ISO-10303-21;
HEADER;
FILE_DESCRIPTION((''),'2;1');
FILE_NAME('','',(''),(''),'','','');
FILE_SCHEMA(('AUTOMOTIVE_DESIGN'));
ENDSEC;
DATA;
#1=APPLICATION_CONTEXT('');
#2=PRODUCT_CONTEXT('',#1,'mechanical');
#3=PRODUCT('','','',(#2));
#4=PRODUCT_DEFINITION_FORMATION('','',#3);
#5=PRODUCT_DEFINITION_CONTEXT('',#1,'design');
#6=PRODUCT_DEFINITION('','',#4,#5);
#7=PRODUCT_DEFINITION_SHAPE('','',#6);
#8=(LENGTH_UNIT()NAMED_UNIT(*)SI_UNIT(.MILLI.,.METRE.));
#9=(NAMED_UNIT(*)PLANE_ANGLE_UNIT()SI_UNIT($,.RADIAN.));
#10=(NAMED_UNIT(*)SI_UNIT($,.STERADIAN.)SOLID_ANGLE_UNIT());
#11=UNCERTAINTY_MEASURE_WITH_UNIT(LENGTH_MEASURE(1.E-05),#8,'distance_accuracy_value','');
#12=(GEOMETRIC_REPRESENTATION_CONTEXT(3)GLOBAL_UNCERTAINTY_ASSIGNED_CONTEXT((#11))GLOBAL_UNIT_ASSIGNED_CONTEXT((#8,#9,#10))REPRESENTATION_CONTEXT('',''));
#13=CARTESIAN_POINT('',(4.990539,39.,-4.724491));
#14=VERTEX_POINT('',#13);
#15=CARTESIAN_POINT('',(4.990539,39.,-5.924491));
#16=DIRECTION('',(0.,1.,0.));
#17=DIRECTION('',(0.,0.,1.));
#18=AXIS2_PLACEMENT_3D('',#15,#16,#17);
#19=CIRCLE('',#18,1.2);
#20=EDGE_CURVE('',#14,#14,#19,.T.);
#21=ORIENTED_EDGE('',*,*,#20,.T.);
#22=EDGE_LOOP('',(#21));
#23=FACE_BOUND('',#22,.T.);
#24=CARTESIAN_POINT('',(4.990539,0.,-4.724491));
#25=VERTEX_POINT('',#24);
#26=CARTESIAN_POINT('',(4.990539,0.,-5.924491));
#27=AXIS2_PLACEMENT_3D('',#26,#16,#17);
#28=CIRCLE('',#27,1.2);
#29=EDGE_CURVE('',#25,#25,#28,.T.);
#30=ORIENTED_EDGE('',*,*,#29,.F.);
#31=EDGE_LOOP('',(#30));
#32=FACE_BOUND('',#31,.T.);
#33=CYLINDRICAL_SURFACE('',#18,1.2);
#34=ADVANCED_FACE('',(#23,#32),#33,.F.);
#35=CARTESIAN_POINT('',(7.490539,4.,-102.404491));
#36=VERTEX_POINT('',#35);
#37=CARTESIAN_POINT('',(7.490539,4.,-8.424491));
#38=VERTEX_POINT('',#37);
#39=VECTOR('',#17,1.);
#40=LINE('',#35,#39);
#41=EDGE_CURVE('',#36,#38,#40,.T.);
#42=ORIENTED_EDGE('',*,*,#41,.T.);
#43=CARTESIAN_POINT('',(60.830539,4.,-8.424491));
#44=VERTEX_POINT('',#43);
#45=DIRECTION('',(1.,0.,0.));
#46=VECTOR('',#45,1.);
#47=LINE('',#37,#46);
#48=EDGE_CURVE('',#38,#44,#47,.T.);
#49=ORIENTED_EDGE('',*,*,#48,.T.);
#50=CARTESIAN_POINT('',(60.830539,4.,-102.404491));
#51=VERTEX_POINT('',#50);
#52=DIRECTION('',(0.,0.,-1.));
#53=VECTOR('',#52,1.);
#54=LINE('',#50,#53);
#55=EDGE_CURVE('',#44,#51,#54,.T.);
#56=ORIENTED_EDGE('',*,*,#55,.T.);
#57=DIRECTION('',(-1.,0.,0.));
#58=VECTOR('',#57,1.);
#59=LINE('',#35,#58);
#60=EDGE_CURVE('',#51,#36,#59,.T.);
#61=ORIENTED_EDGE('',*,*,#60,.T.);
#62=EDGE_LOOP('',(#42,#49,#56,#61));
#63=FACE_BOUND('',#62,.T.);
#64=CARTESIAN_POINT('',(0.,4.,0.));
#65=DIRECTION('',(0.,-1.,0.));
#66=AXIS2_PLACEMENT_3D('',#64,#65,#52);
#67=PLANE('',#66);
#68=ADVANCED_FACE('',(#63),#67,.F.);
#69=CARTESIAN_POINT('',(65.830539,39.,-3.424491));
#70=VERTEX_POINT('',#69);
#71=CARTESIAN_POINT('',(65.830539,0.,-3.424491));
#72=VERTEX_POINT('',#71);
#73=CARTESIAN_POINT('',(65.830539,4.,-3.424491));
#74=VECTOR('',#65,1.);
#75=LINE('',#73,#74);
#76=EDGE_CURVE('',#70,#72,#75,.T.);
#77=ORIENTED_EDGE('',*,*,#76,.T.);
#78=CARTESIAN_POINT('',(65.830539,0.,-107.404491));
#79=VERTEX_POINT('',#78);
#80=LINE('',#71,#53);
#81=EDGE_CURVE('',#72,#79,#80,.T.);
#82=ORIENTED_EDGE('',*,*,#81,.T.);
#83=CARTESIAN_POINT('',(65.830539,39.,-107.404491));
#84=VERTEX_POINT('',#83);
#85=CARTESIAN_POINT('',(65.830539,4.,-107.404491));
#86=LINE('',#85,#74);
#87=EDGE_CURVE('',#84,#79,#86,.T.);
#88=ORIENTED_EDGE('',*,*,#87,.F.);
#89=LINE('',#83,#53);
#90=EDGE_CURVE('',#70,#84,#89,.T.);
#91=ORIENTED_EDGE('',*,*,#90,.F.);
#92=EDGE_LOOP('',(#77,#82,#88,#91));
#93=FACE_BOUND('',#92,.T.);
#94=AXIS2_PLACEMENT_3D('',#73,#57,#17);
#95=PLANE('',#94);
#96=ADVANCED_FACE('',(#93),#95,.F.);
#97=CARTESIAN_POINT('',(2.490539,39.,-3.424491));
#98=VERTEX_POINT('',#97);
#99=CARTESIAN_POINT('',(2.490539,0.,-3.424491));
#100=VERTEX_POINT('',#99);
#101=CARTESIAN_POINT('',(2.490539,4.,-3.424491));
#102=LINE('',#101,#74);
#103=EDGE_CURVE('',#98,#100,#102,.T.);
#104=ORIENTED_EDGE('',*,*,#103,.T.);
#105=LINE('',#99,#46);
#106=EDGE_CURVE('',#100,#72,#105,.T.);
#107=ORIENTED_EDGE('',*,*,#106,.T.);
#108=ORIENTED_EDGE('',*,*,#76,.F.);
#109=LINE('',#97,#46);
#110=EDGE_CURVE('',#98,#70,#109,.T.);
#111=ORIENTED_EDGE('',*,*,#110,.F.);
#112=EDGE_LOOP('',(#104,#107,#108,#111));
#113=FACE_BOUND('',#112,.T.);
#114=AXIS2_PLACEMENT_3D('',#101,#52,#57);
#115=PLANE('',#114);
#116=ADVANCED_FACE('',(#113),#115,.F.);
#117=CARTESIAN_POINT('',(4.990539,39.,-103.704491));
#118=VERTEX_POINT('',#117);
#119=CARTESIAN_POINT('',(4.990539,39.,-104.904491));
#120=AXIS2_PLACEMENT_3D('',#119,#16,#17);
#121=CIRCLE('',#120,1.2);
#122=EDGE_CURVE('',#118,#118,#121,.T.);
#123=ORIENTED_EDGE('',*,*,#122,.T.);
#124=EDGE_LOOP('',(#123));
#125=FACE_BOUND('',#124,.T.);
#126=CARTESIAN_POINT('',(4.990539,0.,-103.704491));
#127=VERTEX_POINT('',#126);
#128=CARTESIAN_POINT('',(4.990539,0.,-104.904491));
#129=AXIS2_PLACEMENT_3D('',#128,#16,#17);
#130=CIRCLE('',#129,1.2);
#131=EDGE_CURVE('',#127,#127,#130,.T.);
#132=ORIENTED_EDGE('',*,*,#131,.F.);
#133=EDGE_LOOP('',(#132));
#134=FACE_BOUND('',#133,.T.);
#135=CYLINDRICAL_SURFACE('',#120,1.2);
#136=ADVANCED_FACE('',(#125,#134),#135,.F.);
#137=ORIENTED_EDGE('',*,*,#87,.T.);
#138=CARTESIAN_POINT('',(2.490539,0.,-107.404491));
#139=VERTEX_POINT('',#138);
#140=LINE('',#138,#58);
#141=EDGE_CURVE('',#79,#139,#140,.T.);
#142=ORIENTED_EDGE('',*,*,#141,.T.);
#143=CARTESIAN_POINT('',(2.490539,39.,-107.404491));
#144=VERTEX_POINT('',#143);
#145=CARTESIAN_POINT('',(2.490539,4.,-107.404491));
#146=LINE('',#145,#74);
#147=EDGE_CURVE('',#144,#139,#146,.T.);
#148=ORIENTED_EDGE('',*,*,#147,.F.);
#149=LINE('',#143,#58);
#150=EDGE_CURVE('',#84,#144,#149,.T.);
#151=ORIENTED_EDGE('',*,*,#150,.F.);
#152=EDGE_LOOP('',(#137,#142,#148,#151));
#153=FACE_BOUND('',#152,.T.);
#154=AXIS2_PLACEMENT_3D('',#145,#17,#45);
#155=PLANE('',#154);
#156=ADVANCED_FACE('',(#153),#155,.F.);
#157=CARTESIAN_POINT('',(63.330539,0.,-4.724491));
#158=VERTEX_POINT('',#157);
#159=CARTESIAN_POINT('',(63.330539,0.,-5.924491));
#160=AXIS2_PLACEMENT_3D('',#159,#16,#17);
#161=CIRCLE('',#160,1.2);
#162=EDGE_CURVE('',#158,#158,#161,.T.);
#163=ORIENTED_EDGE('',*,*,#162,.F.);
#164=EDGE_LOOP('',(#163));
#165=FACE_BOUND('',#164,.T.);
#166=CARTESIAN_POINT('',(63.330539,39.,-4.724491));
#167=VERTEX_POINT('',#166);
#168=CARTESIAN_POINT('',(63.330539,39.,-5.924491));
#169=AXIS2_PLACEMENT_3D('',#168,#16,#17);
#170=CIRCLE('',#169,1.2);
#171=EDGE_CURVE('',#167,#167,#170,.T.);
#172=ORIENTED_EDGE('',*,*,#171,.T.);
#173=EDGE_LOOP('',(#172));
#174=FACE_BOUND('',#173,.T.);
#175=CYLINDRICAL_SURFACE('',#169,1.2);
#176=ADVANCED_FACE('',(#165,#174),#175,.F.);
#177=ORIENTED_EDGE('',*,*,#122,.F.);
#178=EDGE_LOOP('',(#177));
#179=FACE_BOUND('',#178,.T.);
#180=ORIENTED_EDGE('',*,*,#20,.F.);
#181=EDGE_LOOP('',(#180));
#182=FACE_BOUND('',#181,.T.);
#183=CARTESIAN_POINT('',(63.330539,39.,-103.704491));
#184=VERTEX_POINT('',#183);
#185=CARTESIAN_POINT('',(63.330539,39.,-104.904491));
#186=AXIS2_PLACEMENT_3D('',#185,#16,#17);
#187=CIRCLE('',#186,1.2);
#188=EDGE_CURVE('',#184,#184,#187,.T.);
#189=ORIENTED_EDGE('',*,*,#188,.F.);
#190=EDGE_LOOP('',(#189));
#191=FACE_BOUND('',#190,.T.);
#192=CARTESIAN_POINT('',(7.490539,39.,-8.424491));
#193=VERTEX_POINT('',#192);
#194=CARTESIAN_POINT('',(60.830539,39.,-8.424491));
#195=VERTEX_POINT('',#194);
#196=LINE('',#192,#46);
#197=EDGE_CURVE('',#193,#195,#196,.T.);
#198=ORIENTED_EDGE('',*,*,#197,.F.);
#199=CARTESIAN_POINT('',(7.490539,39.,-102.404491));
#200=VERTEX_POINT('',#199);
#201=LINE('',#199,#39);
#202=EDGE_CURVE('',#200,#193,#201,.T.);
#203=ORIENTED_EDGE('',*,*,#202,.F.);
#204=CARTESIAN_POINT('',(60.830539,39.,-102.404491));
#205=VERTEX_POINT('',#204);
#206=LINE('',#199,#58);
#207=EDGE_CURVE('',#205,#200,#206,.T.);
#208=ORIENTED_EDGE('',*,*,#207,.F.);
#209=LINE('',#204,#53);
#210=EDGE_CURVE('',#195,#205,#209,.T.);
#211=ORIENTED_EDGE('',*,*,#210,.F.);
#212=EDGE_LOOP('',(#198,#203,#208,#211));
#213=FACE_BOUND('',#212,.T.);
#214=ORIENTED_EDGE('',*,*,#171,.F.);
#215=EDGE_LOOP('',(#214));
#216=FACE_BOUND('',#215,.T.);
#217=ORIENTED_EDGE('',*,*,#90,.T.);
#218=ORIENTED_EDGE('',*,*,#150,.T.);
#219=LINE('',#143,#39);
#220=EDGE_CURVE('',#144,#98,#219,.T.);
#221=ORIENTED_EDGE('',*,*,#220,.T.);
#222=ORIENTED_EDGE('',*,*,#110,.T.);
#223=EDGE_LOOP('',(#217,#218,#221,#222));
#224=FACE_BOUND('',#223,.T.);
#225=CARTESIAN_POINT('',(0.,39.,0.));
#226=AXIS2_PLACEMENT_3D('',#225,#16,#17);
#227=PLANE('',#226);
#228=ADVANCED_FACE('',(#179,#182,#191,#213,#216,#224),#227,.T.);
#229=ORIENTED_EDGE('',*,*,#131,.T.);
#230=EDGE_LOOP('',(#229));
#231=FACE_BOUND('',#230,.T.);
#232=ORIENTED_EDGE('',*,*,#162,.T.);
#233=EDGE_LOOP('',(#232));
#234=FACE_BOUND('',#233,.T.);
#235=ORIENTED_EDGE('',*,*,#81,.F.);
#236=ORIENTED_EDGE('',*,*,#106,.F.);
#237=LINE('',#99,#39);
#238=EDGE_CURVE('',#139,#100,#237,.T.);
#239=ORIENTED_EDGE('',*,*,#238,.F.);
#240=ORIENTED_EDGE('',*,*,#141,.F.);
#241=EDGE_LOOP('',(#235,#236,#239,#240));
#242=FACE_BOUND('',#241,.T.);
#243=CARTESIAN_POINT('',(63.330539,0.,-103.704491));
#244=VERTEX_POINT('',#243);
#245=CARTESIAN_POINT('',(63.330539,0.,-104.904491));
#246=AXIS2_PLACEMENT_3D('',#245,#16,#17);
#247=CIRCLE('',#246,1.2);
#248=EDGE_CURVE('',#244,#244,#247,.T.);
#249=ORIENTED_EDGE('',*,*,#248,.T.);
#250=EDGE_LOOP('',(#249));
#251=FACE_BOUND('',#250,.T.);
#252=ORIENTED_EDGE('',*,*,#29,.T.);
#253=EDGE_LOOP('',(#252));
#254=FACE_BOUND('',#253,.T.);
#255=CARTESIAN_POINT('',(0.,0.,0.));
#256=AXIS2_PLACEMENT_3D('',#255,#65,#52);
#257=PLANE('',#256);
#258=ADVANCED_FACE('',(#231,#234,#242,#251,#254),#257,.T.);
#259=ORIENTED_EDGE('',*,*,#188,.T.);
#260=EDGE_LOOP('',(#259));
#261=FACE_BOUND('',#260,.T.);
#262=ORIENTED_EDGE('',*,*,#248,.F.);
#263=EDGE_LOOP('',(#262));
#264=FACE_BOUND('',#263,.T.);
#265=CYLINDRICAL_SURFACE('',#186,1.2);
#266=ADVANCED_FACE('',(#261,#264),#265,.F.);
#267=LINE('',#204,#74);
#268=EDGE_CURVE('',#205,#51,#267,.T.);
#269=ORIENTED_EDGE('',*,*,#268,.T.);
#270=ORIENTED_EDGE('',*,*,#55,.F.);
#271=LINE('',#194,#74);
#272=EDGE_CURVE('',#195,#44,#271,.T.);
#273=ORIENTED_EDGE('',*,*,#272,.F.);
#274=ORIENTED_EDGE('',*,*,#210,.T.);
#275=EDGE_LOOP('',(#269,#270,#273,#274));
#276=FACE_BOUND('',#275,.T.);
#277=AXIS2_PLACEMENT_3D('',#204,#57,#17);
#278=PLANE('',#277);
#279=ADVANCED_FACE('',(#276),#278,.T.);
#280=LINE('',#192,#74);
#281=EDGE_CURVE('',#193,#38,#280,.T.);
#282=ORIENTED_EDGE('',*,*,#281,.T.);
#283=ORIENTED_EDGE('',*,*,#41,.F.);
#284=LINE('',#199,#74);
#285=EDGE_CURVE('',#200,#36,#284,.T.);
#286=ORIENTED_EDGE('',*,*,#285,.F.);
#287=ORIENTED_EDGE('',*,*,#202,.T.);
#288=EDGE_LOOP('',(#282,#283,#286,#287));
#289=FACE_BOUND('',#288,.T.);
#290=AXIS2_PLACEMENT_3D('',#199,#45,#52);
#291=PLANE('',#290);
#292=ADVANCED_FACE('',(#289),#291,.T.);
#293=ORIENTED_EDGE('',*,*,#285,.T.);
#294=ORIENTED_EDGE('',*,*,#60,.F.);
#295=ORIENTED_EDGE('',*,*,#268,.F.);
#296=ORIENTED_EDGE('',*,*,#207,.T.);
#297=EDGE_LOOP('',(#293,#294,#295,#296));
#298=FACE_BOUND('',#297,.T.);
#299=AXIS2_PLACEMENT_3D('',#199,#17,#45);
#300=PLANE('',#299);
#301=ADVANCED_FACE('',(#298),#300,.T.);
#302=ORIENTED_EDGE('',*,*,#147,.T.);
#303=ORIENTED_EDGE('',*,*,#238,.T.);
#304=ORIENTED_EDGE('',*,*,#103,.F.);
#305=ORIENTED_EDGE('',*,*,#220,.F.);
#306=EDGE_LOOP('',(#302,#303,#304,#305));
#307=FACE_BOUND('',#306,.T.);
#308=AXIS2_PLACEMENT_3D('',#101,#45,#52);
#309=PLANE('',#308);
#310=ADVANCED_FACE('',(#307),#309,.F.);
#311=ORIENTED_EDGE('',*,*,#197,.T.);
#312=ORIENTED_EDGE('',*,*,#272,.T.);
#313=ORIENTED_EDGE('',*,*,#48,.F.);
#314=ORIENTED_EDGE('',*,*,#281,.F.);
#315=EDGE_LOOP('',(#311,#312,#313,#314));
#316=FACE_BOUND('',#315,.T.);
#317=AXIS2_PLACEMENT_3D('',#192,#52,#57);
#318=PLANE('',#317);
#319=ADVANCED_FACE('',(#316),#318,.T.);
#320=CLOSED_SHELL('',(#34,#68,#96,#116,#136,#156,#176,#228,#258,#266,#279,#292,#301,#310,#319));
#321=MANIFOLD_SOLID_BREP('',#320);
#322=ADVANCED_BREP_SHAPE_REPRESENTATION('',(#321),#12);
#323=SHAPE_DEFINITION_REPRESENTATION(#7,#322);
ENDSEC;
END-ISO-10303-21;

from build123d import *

# Parameters (mm, degrees)
SCHIZZO1_W                   = 63.34
SCHIZZO1_H                   = 103.98
ESTRUSIONE_ESTRUSIONE1_DEPTH = 4
SCHIZZO2_W                   = 63.34
SCHIZZO2_H                   = 103.98
SCHIZZO2_W_2                 = 53.34
SCHIZZO2_H_2                 = 93.98
ESTRUSIONE_ESTRUSIONE2_DEPTH = 35
FORO_PER_VITE_M2_1_D         = 2.4


with BuildPart() as part:
    # Schizzo1 → Estrusione-Estrusione1 (new body)
    with BuildSketch(Plane(origin=(0, 0, 0), x_dir=(1, 0, 0), z_dir=(0, 1, 0))):
        with Locations((34.160538922, 55.414491018)):
            Rectangle(SCHIZZO1_W, SCHIZZO1_H)
    extrude(amount=ESTRUSIONE_ESTRUSIONE1_DEPTH)

    # Schizzo2 → Estrusione-Estrusione2 (add)
    with BuildSketch(Plane(origin=(0, 4, 0), x_dir=(1, 0, 0), z_dir=(0, 1, 0))):
        with Locations((34.160538922, 55.414491018)):
            Rectangle(SCHIZZO2_W, SCHIZZO2_H)
        with Locations((34.160538922, 55.414491018)):
            Rectangle(SCHIZZO2_W_2, SCHIZZO2_H_2, mode=Mode.SUBTRACT)
    extrude(amount=ESTRUSIONE_ESTRUSIONE2_DEPTH)

    # Foro per Vite M2-1 (through all)
    with Locations(Plane(origin=(0, 39, 0), x_dir=(1, 0, 0), z_dir=(0, 1, 0))):
        with Locations((4.990538922, 104.904491018), (63.330538922, 104.904491018), (63.330538922, 5.924491018), (4.990538922, 5.924491018)):
            Hole(FORO_PER_VITE_M2_1_D / 2)


solid = part.part
